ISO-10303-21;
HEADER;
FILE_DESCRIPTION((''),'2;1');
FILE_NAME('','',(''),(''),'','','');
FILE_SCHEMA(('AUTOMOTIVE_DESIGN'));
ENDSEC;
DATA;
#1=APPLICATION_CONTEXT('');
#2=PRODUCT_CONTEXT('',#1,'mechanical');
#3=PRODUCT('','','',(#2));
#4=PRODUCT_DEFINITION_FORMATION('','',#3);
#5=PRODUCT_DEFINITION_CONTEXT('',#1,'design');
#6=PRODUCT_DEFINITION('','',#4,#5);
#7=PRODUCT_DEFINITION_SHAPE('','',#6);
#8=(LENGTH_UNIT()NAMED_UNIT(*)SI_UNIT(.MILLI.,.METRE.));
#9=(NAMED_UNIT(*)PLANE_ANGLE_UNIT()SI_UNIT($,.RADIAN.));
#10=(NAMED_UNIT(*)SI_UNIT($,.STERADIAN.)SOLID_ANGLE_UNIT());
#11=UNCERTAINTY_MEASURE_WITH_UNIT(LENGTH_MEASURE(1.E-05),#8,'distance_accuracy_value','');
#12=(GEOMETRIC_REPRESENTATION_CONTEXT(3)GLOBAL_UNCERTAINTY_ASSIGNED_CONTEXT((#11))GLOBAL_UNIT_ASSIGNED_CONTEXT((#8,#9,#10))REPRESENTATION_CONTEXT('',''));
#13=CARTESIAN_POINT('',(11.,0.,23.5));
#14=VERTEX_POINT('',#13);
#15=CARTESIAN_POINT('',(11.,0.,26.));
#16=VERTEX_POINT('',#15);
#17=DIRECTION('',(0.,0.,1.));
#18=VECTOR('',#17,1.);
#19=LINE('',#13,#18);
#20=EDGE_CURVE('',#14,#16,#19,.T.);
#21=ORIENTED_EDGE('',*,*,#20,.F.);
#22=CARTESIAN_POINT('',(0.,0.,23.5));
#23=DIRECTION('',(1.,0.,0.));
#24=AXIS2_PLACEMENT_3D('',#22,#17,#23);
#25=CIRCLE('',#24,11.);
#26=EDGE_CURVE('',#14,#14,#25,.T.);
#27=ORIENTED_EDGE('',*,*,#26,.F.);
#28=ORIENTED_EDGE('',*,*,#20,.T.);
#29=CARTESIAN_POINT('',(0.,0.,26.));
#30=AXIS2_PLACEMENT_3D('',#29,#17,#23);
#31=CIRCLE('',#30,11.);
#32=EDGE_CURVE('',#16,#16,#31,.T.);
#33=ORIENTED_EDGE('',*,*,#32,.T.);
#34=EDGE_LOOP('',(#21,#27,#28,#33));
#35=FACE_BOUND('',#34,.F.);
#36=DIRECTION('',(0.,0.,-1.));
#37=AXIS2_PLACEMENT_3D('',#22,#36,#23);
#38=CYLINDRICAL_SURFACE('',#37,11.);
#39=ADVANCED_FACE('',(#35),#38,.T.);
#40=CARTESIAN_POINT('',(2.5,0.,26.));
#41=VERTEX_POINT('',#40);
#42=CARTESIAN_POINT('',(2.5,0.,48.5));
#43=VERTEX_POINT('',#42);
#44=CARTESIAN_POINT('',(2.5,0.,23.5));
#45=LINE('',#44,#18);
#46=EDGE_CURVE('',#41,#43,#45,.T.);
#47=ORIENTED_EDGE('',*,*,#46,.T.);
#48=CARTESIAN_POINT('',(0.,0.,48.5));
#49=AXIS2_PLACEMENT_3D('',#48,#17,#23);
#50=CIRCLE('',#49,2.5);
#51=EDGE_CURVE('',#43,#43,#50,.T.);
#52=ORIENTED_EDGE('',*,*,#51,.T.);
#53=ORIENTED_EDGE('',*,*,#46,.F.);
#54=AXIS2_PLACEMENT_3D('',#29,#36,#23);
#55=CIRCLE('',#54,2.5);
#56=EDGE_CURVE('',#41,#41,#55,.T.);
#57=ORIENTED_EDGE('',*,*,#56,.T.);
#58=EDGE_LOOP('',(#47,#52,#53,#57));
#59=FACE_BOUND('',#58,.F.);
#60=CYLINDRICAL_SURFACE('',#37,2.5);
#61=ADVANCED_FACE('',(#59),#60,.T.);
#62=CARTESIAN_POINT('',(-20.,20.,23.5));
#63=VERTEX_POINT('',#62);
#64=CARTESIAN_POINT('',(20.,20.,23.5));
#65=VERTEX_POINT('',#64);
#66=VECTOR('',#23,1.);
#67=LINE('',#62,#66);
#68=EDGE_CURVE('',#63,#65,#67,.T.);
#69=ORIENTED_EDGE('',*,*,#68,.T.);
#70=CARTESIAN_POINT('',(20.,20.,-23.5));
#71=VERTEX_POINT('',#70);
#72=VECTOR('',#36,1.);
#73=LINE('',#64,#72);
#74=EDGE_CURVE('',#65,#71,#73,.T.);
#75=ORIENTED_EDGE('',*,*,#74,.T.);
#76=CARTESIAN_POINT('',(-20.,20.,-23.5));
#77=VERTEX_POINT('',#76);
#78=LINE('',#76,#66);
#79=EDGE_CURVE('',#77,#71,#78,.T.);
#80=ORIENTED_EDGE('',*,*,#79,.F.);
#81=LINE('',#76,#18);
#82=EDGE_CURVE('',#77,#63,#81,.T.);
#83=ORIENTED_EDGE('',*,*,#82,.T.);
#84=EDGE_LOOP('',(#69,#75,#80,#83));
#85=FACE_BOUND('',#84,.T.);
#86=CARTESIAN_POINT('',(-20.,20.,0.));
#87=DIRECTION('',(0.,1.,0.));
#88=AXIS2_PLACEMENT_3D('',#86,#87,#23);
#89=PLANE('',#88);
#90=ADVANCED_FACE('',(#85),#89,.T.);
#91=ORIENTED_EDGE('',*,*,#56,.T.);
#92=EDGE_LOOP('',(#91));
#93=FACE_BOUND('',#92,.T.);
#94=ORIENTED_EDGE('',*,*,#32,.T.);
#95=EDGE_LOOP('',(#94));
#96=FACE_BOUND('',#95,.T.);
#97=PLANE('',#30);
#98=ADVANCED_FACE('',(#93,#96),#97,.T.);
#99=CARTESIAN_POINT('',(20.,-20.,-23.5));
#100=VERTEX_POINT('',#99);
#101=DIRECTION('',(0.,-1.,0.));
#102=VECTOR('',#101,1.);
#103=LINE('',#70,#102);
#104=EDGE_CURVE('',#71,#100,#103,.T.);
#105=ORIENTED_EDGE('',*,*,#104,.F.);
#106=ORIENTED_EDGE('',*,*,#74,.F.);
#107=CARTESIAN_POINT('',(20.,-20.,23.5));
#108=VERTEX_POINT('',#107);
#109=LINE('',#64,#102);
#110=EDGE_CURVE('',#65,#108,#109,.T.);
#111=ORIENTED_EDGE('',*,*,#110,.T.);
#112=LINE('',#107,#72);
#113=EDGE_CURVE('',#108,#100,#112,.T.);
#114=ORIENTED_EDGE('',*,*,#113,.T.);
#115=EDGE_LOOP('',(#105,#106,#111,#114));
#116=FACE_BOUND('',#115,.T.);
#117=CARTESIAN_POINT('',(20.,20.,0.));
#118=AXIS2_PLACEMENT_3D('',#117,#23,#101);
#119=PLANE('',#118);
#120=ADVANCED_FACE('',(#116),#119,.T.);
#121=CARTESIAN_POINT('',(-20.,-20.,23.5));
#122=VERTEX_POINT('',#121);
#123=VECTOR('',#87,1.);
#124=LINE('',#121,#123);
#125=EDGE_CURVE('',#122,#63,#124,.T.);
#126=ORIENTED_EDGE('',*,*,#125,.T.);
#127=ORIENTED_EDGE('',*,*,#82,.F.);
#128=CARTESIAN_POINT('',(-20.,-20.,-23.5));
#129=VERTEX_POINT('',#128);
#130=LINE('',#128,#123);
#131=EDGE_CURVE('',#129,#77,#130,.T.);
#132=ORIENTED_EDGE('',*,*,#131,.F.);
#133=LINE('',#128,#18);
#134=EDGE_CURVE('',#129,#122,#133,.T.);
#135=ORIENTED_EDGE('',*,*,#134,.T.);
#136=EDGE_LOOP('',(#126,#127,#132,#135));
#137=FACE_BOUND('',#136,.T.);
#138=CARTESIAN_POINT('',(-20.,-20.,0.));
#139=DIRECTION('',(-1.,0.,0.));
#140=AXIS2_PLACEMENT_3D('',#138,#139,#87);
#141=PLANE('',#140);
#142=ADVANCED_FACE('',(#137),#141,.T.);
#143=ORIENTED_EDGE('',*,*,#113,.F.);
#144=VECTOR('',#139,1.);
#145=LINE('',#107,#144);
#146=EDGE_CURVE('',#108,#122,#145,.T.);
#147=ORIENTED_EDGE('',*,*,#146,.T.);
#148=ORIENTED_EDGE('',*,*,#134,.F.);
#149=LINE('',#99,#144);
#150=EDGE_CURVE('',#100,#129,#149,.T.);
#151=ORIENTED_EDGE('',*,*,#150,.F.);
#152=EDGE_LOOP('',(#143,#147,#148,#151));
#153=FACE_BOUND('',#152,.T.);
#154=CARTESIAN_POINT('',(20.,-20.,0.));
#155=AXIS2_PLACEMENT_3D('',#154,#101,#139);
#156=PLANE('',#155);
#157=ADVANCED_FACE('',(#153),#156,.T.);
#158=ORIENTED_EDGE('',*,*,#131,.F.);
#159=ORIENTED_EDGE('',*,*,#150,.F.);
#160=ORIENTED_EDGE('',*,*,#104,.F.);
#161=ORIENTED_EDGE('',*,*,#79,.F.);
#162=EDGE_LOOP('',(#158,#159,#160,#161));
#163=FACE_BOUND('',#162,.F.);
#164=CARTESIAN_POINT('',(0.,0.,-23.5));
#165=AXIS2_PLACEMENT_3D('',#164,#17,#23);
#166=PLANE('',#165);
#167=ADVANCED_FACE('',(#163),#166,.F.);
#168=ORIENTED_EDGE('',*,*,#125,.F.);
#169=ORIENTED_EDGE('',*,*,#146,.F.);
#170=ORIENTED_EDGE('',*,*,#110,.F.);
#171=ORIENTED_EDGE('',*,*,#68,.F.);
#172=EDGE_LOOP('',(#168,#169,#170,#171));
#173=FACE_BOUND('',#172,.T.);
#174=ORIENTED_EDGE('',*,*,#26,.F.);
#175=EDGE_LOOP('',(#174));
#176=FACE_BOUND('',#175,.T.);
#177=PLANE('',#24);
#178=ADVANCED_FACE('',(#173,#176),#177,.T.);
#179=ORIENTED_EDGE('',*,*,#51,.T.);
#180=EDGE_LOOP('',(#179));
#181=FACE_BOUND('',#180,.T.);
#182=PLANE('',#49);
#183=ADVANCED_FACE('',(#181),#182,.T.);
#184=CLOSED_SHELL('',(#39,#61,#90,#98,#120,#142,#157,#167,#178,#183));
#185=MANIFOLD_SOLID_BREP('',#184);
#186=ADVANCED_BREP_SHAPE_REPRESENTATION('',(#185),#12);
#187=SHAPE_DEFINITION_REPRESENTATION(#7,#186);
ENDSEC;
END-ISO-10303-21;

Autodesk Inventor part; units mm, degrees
ref_plane "YZ Plane" through (0, 0, 0) normal (1, 0, 0) x (0, 1, 0)
ref_plane "XZ Plane" through (0, 0, 0) normal (0, 1, 0) x (-1, 0, 0)
ref_plane "XY Plane" through (0, 0, 0) normal (0, 0, 1) x (1, 0, 0)
sketch "Sketch1" plane through (0, 0, 0) normal (0, 0, 1) x (1, 0, 0)
  line L0 (-20, 20) -> (20, 20)
  line L1 (20, 20) -> (20, -20)
  line L2 (20, -20) -> (-20, -20)
  line L3 (-20, -20) -> (-20, 20)
  line L4 (-20, 20) -> (20, -20) construction
  line L5 (20, 20) -> (-20, -20) construction
  point P0 (0, 0)
  dimension "d0" = 40
  dimension "d1" = 40
extrude "Extrusion1" add sketch "Sketch1" along normal mid plane 47
sketch "Sketch2" plane through (0, 0, 23.5) normal (0, 0, 1) x (1, 0, 0)
  circle A0 centre (0, 0) radius 2.5
  dimension "d4" = 5
extrude "Extrusion2" add sketch "Sketch2" along normal blind 25
sketch "Sketch3" plane through (0, 0, 23.5) normal (0, 0, 1) x (1, 0, 0)
  circle A0 centre (0, 0) radius 11
  dimension "d7" = 22
extrude "Extrusion3" add sketch "Sketch3" along normal blind 2.5
properties part number "NEMA 17 PARA TAPA PRINCIPAL"
